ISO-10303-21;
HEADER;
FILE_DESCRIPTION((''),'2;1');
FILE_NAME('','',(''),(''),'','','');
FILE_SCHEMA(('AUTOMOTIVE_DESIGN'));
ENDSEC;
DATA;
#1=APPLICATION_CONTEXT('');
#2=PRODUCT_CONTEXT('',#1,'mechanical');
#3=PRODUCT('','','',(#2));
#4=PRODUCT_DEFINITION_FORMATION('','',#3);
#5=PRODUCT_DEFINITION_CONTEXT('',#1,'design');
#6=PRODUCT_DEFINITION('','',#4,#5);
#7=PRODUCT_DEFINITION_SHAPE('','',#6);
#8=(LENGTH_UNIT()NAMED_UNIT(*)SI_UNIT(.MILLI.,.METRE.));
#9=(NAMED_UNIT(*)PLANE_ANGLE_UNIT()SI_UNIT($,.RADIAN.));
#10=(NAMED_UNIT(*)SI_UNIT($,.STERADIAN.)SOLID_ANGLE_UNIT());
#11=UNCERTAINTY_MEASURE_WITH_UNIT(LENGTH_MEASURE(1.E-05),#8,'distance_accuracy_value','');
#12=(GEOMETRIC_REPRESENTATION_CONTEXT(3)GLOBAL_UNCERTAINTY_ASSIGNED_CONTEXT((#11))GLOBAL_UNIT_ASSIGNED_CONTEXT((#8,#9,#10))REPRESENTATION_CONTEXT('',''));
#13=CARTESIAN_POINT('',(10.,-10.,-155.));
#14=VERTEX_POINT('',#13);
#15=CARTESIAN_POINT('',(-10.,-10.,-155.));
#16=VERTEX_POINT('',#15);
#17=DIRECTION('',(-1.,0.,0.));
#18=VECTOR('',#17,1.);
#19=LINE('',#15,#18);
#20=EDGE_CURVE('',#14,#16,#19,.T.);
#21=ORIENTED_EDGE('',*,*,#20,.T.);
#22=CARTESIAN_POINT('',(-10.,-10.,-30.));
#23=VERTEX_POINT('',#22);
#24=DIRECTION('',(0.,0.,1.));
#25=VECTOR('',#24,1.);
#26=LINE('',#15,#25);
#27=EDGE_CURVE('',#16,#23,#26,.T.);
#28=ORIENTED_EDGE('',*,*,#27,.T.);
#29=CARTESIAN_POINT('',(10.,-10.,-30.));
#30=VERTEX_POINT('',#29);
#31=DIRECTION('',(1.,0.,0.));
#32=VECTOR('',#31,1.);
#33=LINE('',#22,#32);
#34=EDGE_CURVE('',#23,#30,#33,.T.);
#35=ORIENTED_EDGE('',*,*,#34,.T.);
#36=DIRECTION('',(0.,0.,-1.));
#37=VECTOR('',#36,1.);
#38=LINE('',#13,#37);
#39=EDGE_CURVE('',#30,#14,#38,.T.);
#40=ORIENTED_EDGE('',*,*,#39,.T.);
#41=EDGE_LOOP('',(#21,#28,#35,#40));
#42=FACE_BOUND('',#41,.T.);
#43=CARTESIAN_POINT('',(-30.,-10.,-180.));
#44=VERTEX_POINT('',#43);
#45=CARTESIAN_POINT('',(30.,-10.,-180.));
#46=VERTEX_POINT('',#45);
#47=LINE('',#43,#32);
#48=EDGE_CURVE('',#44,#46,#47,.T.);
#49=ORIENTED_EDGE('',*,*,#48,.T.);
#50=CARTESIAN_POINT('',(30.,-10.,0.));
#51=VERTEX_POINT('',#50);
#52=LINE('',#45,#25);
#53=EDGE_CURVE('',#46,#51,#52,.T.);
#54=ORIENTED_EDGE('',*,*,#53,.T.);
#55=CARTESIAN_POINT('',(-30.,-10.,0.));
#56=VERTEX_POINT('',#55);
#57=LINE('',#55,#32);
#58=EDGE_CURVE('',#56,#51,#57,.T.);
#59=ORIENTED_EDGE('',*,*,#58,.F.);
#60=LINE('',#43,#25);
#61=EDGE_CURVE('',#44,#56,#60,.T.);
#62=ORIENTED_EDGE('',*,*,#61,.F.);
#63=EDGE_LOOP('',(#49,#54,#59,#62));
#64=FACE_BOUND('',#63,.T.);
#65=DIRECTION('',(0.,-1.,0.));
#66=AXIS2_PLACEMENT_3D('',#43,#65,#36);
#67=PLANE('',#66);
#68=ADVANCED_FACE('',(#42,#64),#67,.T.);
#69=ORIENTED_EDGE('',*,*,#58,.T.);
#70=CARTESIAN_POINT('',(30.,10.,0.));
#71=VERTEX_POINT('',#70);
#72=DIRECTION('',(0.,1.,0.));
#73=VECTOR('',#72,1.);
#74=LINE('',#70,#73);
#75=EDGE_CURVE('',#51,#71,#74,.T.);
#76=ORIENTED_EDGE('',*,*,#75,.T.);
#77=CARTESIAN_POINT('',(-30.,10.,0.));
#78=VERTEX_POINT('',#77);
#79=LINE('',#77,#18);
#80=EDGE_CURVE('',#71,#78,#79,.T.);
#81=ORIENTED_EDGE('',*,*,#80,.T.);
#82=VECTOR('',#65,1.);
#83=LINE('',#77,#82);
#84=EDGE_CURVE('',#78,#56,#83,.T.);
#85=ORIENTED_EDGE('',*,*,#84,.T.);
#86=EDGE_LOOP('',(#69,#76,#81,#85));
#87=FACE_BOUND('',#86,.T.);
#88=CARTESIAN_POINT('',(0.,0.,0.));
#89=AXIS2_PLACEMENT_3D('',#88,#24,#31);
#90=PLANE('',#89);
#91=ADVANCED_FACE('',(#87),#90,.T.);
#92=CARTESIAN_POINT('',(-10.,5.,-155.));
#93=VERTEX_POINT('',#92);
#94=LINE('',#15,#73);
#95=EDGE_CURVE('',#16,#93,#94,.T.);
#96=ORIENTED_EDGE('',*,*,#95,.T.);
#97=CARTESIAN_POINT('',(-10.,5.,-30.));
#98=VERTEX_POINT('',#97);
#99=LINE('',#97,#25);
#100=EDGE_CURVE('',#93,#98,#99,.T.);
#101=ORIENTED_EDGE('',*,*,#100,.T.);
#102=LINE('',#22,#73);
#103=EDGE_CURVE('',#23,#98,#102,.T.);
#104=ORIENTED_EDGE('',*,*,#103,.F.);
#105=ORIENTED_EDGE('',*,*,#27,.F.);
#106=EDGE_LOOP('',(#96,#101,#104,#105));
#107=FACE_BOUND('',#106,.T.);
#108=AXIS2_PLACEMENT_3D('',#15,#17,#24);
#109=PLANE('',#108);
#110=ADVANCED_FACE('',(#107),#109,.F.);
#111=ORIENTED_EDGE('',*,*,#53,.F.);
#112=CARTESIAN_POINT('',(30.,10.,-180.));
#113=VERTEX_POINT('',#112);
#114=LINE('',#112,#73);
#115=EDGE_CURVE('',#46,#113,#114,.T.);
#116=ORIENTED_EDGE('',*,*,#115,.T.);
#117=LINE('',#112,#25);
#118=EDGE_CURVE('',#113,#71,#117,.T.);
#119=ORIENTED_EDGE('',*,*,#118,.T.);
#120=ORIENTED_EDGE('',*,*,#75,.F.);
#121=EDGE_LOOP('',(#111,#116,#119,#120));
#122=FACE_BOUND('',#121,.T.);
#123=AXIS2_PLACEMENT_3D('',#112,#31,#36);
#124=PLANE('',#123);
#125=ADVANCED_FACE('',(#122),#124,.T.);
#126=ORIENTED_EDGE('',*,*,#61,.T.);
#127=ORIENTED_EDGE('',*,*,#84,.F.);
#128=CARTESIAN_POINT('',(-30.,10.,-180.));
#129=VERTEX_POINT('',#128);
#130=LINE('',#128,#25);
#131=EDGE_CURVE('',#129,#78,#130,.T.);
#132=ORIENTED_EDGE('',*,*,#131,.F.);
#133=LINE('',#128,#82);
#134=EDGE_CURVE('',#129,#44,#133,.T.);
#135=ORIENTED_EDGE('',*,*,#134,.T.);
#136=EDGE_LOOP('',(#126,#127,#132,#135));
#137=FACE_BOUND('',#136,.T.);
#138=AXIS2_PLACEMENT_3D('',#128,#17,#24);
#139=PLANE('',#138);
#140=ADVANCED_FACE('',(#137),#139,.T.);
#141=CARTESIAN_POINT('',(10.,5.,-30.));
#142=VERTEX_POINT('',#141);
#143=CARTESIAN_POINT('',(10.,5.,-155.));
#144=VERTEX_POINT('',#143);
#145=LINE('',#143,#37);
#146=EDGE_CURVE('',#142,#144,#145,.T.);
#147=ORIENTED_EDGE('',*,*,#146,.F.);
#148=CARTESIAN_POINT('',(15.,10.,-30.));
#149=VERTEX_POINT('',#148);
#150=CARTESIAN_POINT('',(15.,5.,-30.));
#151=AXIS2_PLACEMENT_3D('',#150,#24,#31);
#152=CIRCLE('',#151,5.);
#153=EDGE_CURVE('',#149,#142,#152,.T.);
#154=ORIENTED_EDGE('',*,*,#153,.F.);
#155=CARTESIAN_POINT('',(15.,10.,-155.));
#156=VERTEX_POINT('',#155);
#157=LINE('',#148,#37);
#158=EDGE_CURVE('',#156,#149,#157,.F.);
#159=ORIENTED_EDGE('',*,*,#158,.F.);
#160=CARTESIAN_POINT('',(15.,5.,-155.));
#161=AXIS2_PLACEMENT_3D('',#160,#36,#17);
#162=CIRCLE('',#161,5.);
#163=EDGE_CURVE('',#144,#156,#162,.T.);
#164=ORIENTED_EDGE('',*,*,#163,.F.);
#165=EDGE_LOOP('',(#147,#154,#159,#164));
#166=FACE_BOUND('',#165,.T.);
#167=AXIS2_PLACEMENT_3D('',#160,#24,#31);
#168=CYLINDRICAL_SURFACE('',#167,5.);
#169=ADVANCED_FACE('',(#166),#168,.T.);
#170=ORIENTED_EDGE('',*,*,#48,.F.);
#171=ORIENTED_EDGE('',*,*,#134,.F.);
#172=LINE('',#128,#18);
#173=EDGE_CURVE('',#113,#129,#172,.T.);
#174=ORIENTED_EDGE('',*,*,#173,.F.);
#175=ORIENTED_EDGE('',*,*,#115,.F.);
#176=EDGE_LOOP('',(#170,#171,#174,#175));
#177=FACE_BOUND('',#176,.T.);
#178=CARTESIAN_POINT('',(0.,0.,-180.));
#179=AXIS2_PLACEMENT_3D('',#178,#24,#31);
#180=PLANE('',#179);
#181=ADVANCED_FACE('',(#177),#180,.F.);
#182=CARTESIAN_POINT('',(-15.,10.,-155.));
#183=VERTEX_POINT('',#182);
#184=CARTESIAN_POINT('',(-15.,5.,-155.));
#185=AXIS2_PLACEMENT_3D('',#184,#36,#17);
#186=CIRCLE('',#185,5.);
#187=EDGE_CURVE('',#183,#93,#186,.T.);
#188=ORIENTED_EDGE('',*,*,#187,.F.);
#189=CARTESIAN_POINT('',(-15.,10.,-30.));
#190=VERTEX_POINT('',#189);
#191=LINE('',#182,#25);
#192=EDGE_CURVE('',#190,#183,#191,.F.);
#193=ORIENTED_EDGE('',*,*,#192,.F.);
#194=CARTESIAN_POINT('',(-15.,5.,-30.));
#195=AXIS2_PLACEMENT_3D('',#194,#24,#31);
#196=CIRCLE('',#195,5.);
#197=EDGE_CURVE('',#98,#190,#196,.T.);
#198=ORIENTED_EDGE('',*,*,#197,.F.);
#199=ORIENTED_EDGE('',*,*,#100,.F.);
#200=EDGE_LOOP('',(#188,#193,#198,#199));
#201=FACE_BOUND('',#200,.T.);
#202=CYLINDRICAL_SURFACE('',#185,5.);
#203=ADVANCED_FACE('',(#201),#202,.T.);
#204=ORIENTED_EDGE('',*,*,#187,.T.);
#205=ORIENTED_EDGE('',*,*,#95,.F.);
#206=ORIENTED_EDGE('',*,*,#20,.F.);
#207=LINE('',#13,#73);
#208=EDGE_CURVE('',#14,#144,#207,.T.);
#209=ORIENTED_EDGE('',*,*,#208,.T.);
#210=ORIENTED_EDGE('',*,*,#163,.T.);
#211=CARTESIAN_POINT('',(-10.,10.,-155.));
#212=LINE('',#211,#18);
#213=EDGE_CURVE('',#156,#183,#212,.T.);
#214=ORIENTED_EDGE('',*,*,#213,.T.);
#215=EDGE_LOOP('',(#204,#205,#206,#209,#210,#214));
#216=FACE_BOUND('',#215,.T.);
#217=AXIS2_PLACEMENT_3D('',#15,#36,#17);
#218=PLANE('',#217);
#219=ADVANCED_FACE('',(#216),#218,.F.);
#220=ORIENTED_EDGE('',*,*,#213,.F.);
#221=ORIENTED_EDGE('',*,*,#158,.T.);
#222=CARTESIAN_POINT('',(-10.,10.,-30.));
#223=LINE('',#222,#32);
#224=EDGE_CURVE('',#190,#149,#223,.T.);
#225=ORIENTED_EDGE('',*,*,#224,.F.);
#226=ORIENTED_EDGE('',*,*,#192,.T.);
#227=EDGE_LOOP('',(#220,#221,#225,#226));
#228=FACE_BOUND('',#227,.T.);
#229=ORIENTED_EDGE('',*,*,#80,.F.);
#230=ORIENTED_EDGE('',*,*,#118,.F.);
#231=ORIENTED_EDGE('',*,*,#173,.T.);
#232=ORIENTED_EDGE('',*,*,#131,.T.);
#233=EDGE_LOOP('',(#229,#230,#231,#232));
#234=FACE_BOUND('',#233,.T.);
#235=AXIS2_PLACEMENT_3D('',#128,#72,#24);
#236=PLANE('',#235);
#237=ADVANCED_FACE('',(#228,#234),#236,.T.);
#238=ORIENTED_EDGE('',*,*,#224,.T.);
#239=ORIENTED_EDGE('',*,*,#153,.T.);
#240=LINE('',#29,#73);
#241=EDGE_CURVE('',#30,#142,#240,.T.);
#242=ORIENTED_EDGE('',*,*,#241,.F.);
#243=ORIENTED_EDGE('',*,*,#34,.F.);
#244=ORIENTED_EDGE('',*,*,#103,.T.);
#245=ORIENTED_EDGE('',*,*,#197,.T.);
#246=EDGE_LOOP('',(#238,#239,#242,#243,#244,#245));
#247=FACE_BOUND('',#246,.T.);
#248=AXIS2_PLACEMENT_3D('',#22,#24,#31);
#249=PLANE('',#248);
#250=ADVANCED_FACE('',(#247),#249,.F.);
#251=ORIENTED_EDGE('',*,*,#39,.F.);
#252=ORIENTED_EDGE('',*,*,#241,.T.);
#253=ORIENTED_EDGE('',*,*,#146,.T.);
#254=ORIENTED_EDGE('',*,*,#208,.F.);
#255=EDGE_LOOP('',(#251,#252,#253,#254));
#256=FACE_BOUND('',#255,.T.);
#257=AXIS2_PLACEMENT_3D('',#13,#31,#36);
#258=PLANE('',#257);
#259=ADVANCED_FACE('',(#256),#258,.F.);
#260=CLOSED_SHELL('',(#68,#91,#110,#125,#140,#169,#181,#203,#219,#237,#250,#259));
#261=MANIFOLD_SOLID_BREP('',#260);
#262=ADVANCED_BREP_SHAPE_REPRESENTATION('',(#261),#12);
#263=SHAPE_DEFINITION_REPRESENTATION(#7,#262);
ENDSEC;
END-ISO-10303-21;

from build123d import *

# Parameters (mm, degrees)
SKETCH_2_W          = 60
SKETCH_2_H          = 20
EXTRUDE_1_DEPTH     = 180
SKETCH_14_W         = 20
SKETCH_14_H         = 125
CUT_EXTRUDE_1_DEPTH = 184.575597507
FILLET_1_R          = 5


with BuildPart() as part:
    # 草圖2 → 填料-伸長1 (new body)
    with BuildSketch(Plane.XY):
        Rectangle(SKETCH_2_W, SKETCH_2_H)
    extrude(amount=-EXTRUDE_1_DEPTH)

    # 草圖14 → 除料-伸長1 (cut, through all)
    with BuildSketch(Plane(origin=(0, 10, 0), x_dir=(1, 0, 0), z_dir=(0, 1, 0))):
        with Locations((0, 92.5)):
            Rectangle(SKETCH_14_W, SKETCH_14_H)
    extrude(amount=-CUT_EXTRUDE_1_DEPTH, mode=Mode.SUBTRACT)

    # 圓角1
    fillet_1_edges = [part.edges().sort_by_distance(p)[0] for p in [
        (10, 10, -92.5),
        (-10, 10, -92.5),
    ]]
    fillet(fillet_1_edges, radius=FILLET_1_R)


solid = part.part
